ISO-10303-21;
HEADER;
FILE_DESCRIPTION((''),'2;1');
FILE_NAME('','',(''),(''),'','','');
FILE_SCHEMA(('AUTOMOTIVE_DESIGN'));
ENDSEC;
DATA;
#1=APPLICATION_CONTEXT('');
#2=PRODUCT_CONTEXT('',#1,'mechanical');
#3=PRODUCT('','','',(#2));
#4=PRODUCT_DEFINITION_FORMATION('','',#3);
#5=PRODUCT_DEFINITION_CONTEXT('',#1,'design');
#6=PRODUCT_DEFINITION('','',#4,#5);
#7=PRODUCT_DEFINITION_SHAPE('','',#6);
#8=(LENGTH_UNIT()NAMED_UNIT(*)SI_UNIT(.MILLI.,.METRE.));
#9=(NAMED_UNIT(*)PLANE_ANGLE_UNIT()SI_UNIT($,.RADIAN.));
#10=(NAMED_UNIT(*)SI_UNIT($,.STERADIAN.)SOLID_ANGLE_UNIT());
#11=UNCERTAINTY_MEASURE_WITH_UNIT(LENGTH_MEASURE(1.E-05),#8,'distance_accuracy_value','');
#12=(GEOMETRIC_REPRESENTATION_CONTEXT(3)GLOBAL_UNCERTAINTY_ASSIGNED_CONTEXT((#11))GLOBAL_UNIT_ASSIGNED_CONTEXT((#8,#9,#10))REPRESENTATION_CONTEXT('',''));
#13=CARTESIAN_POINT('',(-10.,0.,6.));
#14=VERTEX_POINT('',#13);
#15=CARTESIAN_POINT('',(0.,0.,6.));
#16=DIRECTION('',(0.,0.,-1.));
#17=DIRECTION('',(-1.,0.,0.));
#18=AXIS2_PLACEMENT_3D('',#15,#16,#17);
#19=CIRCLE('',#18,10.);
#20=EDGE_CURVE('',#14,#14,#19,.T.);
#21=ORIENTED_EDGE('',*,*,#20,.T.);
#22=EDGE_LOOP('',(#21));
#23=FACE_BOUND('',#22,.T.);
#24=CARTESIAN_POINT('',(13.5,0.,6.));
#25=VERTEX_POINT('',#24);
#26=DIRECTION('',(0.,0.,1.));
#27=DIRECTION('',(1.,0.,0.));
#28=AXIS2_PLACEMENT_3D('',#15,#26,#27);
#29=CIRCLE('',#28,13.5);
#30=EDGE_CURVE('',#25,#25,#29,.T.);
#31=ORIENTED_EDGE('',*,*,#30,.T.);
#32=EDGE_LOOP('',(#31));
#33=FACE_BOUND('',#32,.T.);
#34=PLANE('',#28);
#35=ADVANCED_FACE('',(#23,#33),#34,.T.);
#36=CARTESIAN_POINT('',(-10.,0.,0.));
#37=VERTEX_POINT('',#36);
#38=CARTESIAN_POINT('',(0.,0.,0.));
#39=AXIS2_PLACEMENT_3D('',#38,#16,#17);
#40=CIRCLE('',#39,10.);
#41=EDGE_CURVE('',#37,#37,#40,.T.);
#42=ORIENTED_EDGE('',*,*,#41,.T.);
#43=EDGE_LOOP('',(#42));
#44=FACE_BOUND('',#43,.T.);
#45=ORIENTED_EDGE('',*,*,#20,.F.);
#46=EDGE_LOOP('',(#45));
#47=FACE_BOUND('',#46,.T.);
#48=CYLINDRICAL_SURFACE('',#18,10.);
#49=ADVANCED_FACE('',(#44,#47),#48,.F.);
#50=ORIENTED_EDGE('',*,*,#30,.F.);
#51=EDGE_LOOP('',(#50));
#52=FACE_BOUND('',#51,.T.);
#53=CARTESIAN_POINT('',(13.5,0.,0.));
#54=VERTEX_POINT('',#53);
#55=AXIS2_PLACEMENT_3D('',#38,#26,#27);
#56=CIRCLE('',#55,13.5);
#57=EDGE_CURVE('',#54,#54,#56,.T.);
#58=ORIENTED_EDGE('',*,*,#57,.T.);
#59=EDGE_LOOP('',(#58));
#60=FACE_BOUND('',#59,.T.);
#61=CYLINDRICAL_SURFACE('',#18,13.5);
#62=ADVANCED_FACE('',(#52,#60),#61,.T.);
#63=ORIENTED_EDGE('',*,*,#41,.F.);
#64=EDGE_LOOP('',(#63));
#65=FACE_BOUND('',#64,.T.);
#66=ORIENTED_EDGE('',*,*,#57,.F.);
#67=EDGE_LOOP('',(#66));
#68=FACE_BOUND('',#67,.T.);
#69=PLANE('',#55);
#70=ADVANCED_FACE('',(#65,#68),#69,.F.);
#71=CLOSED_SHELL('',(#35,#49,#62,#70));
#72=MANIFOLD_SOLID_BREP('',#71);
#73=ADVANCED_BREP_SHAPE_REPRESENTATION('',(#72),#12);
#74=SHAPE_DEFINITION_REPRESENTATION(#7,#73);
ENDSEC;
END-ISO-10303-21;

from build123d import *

# Parameters (mm, degrees)
SKETCH1_R           = 13.5
BOSS_EXTRUDE1_DEPTH = 6
SKETCH2_R           = 10
CUT_EXTRUDE1_DEPTH  = 7


with BuildPart() as part:
    # Sketch1 → Boss-Extrude1 (new body)
    with BuildSketch(Plane.XY):
        Circle(SKETCH1_R)
    extrude(amount=BOSS_EXTRUDE1_DEPTH)

    # Sketch2 → Cut-Extrude1 (cut, through all)
    with BuildSketch(Plane(origin=(0, 0, 0), x_dir=(-1, 0, 0), z_dir=(0, 0, -1))):
        Circle(SKETCH2_R)
    extrude(amount=-CUT_EXTRUDE1_DEPTH, mode=Mode.SUBTRACT)


solid = part.part
